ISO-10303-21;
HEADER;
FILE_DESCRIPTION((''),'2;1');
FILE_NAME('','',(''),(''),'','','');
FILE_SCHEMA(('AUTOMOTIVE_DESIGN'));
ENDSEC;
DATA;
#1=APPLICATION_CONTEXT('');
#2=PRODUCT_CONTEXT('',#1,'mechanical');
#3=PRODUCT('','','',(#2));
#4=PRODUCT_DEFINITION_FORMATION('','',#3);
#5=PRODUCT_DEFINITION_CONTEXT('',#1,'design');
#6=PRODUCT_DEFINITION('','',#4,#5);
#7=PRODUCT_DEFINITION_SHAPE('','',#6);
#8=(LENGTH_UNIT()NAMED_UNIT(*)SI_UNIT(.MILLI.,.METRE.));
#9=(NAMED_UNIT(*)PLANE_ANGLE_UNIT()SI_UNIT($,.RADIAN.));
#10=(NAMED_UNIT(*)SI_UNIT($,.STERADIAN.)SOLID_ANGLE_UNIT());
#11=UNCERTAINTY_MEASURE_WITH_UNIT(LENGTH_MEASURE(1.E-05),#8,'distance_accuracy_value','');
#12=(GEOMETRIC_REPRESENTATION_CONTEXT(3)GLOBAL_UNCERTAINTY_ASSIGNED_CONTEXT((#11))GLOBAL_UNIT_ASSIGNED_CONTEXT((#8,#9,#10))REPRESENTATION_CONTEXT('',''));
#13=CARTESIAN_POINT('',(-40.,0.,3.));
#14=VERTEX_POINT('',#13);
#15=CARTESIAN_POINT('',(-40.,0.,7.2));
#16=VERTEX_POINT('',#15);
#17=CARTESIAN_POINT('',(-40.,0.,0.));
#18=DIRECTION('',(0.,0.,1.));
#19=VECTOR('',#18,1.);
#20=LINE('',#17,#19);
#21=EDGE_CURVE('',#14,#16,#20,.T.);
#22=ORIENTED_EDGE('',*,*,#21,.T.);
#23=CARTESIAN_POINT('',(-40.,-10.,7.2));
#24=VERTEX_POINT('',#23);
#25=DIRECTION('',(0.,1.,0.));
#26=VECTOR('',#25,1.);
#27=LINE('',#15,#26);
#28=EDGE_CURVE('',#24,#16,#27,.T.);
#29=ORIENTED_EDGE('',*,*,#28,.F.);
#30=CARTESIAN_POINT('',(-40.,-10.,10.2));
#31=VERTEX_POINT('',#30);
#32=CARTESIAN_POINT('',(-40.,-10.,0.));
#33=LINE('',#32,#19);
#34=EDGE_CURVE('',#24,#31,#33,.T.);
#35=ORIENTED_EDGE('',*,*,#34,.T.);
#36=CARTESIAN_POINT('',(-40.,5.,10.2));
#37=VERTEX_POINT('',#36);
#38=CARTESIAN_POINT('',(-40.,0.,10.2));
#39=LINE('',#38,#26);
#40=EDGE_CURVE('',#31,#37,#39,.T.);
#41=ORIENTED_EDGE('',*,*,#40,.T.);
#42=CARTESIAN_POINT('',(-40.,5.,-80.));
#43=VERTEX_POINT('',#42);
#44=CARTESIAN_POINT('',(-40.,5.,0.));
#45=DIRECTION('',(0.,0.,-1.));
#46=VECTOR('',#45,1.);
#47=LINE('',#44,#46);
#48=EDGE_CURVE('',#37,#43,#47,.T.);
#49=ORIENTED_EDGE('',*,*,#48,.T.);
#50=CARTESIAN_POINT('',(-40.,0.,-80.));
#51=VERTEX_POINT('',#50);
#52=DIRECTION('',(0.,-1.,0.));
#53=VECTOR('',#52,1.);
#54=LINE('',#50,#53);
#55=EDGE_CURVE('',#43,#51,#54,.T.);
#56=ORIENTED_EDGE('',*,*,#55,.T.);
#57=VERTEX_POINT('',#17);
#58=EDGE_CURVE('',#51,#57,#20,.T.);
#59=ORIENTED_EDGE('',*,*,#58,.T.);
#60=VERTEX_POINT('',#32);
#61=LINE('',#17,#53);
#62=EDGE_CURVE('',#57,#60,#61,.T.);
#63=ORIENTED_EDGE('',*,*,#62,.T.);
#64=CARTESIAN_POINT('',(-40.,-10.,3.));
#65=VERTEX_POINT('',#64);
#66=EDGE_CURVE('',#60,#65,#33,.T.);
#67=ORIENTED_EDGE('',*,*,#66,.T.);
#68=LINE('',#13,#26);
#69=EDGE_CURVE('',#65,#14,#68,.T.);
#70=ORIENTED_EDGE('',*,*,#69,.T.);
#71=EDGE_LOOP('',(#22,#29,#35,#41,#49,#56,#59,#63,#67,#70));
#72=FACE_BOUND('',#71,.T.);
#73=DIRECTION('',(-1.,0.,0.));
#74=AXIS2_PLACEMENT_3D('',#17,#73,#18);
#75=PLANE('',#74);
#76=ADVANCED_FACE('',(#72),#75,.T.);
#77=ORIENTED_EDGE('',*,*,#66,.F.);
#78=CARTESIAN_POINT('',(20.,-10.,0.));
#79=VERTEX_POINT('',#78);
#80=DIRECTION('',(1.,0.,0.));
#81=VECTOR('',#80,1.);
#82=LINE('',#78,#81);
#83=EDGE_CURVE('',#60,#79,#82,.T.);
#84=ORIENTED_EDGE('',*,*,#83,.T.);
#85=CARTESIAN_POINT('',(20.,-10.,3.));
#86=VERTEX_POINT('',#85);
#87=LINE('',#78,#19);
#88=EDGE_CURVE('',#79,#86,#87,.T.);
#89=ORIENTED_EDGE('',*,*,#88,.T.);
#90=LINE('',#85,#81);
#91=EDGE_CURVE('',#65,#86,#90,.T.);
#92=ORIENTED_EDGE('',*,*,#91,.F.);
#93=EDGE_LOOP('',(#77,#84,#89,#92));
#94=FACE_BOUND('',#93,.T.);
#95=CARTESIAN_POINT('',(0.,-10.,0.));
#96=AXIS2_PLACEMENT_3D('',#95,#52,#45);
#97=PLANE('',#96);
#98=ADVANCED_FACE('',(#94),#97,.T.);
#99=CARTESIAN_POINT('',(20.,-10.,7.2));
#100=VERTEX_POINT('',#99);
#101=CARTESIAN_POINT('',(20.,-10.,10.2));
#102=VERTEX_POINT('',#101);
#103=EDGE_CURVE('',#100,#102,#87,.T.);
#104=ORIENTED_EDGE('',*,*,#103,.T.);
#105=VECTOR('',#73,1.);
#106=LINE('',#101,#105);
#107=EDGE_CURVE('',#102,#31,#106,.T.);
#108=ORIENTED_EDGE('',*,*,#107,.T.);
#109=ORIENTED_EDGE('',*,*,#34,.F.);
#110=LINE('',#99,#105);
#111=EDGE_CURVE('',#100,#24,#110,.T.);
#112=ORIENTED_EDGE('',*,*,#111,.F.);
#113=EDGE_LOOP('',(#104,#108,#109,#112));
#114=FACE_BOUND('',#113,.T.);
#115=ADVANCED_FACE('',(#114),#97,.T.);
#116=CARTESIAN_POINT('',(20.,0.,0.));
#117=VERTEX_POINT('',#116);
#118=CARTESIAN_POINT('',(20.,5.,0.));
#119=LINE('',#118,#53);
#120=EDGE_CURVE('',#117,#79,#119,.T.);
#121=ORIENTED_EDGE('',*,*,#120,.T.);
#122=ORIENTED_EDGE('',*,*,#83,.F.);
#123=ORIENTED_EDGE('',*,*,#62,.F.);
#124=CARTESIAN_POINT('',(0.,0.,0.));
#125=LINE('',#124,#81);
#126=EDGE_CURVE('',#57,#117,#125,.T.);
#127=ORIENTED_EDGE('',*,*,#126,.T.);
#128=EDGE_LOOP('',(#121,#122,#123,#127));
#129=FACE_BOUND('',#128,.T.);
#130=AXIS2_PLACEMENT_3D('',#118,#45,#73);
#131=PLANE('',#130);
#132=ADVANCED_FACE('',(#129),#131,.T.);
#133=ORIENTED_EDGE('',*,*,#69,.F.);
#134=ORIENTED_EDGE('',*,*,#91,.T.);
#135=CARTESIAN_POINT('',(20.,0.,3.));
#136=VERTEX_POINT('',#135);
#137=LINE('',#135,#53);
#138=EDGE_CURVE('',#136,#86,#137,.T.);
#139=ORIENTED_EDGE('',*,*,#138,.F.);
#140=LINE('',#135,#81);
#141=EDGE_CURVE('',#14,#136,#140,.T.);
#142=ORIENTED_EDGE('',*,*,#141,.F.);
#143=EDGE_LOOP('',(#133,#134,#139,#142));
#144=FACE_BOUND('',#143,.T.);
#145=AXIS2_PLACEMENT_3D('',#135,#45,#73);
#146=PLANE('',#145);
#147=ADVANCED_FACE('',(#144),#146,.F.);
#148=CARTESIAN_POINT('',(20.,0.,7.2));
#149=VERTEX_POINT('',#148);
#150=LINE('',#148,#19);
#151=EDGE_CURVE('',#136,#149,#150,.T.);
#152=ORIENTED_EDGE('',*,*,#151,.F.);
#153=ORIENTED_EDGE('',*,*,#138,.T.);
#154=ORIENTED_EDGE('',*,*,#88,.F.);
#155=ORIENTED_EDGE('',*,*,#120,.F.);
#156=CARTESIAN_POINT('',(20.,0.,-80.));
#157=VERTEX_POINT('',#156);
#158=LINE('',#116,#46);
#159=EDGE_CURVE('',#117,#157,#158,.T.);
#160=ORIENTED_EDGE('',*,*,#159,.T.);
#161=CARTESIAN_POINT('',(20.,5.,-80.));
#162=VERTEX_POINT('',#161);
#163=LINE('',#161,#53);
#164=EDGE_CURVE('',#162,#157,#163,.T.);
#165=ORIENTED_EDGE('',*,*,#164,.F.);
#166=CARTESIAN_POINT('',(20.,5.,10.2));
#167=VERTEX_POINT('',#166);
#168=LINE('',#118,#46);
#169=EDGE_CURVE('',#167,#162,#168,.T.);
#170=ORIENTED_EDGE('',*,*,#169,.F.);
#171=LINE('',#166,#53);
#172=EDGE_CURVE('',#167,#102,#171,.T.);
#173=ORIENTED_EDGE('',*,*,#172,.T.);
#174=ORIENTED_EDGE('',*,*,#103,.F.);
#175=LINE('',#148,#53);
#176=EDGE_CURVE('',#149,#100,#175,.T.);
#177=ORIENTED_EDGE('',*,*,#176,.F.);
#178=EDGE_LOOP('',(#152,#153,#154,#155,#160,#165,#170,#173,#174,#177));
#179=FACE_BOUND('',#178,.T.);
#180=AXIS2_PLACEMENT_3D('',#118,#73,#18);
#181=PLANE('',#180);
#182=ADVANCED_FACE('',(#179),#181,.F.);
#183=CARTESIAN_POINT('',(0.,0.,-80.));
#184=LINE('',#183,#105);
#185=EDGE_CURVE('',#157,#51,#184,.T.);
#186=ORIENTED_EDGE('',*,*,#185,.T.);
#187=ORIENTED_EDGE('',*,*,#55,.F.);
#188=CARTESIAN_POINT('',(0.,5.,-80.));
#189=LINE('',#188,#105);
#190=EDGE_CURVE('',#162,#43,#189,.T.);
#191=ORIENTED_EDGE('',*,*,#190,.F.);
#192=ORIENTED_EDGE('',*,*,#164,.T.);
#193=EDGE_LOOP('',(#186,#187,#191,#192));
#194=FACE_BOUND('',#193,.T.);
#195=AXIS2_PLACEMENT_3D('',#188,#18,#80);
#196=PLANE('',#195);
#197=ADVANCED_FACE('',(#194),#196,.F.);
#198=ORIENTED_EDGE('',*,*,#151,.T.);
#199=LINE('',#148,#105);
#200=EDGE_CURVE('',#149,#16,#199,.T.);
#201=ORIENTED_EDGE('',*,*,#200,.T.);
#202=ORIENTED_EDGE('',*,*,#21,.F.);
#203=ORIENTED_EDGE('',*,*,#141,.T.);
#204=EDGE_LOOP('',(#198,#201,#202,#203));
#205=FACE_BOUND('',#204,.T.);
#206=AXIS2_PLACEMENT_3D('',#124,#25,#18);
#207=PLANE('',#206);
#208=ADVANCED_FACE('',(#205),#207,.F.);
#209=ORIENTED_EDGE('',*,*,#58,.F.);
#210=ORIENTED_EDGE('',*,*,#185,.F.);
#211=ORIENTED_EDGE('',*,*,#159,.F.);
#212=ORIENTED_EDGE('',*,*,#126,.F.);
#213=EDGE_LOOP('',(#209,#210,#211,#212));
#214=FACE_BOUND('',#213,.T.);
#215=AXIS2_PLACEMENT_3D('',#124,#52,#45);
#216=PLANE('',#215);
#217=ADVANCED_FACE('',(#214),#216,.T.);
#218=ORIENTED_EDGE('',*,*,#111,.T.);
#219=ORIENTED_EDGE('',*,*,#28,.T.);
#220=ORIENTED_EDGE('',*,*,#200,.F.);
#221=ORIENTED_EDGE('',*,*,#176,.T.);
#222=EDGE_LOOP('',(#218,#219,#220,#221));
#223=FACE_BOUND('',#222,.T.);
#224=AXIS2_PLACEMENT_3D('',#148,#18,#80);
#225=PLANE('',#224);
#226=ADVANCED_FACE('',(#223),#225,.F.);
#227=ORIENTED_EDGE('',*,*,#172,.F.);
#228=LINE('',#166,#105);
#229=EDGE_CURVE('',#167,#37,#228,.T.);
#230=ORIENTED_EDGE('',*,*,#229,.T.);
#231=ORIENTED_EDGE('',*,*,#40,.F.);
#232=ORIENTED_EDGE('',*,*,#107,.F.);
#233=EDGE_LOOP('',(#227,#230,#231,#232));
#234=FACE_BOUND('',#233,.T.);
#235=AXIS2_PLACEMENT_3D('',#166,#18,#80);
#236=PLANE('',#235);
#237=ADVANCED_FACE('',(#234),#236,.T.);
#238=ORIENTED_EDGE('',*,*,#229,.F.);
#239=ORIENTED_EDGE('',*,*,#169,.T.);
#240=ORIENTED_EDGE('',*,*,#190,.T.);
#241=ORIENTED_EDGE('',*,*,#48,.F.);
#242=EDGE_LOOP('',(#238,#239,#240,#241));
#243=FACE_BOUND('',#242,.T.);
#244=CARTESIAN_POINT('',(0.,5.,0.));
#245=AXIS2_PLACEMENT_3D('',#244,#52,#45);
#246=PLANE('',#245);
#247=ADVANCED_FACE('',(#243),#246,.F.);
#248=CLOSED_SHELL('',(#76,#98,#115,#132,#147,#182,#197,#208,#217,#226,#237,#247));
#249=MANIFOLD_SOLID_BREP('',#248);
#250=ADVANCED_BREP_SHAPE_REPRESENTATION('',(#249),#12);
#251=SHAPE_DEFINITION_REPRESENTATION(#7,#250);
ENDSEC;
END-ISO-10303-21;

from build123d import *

# Parameters (mm, degrees)
SKETCH1_W                = 20
SKETCH1_H                = 80
BOSS_EXTRUDE1_DEPTH      = 5
BOSS_EXTRUDE2_DEPTH      = 10
BOSS_EXTRUDE2_DEPTH_BACK = 5
SKETCH2_W                = 20
SKETCH2_H                = 10.2
SKETCH3_W                = 20
SKETCH3_H                = 4.2
CUT_EXTRUDE1_DEPTH       = 10
BOSS_EXTRUDE3_DEPTH      = 40


with BuildPart() as part:
    # Sketch1 → Boss-Extrude1 (new body)
    with BuildSketch(Plane(origin=(0, 0, 0), x_dir=(1, 0, 0), z_dir=(0, 1, 0))):
        with Locations((10, 40)):
            Rectangle(SKETCH1_W, SKETCH1_H)
    extrude(amount=BOSS_EXTRUDE1_DEPTH)

    # Sketch2 → Boss-Extrude2 (add, two sides: drawn at the far end of the back side and taken through both)
    with BuildSketch(Plane.XZ.offset(-BOSS_EXTRUDE2_DEPTH_BACK)):
        with Locations((10, 5.1)):
            Rectangle(SKETCH2_W, SKETCH2_H)
    extrude(amount=BOSS_EXTRUDE2_DEPTH + BOSS_EXTRUDE2_DEPTH_BACK)

    # Sketch3 → Cut-Extrude1 (cut)
    with BuildSketch(Plane.XZ.offset(10)):
        with Locations((10, 5.1)):
            Rectangle(SKETCH3_W, SKETCH3_H)
    extrude(amount=-CUT_EXTRUDE1_DEPTH, mode=Mode.SUBTRACT)

    # Sketch5 → Boss-Extrude3 (add)
    with BuildSketch(Plane.ZY):
        Polygon((3, 0), (7.2, 0), (7.2, 5), (-80, 5), (-80, 0), (0, 0), (0, -10), (3, -10), align=None)
        Polygon((7.2, -10), (10.2, -10), (10.2, 5), (7.2, 5), (7.2, 0), align=None)
    extrude(amount=BOSS_EXTRUDE3_DEPTH)


solid = part.part
